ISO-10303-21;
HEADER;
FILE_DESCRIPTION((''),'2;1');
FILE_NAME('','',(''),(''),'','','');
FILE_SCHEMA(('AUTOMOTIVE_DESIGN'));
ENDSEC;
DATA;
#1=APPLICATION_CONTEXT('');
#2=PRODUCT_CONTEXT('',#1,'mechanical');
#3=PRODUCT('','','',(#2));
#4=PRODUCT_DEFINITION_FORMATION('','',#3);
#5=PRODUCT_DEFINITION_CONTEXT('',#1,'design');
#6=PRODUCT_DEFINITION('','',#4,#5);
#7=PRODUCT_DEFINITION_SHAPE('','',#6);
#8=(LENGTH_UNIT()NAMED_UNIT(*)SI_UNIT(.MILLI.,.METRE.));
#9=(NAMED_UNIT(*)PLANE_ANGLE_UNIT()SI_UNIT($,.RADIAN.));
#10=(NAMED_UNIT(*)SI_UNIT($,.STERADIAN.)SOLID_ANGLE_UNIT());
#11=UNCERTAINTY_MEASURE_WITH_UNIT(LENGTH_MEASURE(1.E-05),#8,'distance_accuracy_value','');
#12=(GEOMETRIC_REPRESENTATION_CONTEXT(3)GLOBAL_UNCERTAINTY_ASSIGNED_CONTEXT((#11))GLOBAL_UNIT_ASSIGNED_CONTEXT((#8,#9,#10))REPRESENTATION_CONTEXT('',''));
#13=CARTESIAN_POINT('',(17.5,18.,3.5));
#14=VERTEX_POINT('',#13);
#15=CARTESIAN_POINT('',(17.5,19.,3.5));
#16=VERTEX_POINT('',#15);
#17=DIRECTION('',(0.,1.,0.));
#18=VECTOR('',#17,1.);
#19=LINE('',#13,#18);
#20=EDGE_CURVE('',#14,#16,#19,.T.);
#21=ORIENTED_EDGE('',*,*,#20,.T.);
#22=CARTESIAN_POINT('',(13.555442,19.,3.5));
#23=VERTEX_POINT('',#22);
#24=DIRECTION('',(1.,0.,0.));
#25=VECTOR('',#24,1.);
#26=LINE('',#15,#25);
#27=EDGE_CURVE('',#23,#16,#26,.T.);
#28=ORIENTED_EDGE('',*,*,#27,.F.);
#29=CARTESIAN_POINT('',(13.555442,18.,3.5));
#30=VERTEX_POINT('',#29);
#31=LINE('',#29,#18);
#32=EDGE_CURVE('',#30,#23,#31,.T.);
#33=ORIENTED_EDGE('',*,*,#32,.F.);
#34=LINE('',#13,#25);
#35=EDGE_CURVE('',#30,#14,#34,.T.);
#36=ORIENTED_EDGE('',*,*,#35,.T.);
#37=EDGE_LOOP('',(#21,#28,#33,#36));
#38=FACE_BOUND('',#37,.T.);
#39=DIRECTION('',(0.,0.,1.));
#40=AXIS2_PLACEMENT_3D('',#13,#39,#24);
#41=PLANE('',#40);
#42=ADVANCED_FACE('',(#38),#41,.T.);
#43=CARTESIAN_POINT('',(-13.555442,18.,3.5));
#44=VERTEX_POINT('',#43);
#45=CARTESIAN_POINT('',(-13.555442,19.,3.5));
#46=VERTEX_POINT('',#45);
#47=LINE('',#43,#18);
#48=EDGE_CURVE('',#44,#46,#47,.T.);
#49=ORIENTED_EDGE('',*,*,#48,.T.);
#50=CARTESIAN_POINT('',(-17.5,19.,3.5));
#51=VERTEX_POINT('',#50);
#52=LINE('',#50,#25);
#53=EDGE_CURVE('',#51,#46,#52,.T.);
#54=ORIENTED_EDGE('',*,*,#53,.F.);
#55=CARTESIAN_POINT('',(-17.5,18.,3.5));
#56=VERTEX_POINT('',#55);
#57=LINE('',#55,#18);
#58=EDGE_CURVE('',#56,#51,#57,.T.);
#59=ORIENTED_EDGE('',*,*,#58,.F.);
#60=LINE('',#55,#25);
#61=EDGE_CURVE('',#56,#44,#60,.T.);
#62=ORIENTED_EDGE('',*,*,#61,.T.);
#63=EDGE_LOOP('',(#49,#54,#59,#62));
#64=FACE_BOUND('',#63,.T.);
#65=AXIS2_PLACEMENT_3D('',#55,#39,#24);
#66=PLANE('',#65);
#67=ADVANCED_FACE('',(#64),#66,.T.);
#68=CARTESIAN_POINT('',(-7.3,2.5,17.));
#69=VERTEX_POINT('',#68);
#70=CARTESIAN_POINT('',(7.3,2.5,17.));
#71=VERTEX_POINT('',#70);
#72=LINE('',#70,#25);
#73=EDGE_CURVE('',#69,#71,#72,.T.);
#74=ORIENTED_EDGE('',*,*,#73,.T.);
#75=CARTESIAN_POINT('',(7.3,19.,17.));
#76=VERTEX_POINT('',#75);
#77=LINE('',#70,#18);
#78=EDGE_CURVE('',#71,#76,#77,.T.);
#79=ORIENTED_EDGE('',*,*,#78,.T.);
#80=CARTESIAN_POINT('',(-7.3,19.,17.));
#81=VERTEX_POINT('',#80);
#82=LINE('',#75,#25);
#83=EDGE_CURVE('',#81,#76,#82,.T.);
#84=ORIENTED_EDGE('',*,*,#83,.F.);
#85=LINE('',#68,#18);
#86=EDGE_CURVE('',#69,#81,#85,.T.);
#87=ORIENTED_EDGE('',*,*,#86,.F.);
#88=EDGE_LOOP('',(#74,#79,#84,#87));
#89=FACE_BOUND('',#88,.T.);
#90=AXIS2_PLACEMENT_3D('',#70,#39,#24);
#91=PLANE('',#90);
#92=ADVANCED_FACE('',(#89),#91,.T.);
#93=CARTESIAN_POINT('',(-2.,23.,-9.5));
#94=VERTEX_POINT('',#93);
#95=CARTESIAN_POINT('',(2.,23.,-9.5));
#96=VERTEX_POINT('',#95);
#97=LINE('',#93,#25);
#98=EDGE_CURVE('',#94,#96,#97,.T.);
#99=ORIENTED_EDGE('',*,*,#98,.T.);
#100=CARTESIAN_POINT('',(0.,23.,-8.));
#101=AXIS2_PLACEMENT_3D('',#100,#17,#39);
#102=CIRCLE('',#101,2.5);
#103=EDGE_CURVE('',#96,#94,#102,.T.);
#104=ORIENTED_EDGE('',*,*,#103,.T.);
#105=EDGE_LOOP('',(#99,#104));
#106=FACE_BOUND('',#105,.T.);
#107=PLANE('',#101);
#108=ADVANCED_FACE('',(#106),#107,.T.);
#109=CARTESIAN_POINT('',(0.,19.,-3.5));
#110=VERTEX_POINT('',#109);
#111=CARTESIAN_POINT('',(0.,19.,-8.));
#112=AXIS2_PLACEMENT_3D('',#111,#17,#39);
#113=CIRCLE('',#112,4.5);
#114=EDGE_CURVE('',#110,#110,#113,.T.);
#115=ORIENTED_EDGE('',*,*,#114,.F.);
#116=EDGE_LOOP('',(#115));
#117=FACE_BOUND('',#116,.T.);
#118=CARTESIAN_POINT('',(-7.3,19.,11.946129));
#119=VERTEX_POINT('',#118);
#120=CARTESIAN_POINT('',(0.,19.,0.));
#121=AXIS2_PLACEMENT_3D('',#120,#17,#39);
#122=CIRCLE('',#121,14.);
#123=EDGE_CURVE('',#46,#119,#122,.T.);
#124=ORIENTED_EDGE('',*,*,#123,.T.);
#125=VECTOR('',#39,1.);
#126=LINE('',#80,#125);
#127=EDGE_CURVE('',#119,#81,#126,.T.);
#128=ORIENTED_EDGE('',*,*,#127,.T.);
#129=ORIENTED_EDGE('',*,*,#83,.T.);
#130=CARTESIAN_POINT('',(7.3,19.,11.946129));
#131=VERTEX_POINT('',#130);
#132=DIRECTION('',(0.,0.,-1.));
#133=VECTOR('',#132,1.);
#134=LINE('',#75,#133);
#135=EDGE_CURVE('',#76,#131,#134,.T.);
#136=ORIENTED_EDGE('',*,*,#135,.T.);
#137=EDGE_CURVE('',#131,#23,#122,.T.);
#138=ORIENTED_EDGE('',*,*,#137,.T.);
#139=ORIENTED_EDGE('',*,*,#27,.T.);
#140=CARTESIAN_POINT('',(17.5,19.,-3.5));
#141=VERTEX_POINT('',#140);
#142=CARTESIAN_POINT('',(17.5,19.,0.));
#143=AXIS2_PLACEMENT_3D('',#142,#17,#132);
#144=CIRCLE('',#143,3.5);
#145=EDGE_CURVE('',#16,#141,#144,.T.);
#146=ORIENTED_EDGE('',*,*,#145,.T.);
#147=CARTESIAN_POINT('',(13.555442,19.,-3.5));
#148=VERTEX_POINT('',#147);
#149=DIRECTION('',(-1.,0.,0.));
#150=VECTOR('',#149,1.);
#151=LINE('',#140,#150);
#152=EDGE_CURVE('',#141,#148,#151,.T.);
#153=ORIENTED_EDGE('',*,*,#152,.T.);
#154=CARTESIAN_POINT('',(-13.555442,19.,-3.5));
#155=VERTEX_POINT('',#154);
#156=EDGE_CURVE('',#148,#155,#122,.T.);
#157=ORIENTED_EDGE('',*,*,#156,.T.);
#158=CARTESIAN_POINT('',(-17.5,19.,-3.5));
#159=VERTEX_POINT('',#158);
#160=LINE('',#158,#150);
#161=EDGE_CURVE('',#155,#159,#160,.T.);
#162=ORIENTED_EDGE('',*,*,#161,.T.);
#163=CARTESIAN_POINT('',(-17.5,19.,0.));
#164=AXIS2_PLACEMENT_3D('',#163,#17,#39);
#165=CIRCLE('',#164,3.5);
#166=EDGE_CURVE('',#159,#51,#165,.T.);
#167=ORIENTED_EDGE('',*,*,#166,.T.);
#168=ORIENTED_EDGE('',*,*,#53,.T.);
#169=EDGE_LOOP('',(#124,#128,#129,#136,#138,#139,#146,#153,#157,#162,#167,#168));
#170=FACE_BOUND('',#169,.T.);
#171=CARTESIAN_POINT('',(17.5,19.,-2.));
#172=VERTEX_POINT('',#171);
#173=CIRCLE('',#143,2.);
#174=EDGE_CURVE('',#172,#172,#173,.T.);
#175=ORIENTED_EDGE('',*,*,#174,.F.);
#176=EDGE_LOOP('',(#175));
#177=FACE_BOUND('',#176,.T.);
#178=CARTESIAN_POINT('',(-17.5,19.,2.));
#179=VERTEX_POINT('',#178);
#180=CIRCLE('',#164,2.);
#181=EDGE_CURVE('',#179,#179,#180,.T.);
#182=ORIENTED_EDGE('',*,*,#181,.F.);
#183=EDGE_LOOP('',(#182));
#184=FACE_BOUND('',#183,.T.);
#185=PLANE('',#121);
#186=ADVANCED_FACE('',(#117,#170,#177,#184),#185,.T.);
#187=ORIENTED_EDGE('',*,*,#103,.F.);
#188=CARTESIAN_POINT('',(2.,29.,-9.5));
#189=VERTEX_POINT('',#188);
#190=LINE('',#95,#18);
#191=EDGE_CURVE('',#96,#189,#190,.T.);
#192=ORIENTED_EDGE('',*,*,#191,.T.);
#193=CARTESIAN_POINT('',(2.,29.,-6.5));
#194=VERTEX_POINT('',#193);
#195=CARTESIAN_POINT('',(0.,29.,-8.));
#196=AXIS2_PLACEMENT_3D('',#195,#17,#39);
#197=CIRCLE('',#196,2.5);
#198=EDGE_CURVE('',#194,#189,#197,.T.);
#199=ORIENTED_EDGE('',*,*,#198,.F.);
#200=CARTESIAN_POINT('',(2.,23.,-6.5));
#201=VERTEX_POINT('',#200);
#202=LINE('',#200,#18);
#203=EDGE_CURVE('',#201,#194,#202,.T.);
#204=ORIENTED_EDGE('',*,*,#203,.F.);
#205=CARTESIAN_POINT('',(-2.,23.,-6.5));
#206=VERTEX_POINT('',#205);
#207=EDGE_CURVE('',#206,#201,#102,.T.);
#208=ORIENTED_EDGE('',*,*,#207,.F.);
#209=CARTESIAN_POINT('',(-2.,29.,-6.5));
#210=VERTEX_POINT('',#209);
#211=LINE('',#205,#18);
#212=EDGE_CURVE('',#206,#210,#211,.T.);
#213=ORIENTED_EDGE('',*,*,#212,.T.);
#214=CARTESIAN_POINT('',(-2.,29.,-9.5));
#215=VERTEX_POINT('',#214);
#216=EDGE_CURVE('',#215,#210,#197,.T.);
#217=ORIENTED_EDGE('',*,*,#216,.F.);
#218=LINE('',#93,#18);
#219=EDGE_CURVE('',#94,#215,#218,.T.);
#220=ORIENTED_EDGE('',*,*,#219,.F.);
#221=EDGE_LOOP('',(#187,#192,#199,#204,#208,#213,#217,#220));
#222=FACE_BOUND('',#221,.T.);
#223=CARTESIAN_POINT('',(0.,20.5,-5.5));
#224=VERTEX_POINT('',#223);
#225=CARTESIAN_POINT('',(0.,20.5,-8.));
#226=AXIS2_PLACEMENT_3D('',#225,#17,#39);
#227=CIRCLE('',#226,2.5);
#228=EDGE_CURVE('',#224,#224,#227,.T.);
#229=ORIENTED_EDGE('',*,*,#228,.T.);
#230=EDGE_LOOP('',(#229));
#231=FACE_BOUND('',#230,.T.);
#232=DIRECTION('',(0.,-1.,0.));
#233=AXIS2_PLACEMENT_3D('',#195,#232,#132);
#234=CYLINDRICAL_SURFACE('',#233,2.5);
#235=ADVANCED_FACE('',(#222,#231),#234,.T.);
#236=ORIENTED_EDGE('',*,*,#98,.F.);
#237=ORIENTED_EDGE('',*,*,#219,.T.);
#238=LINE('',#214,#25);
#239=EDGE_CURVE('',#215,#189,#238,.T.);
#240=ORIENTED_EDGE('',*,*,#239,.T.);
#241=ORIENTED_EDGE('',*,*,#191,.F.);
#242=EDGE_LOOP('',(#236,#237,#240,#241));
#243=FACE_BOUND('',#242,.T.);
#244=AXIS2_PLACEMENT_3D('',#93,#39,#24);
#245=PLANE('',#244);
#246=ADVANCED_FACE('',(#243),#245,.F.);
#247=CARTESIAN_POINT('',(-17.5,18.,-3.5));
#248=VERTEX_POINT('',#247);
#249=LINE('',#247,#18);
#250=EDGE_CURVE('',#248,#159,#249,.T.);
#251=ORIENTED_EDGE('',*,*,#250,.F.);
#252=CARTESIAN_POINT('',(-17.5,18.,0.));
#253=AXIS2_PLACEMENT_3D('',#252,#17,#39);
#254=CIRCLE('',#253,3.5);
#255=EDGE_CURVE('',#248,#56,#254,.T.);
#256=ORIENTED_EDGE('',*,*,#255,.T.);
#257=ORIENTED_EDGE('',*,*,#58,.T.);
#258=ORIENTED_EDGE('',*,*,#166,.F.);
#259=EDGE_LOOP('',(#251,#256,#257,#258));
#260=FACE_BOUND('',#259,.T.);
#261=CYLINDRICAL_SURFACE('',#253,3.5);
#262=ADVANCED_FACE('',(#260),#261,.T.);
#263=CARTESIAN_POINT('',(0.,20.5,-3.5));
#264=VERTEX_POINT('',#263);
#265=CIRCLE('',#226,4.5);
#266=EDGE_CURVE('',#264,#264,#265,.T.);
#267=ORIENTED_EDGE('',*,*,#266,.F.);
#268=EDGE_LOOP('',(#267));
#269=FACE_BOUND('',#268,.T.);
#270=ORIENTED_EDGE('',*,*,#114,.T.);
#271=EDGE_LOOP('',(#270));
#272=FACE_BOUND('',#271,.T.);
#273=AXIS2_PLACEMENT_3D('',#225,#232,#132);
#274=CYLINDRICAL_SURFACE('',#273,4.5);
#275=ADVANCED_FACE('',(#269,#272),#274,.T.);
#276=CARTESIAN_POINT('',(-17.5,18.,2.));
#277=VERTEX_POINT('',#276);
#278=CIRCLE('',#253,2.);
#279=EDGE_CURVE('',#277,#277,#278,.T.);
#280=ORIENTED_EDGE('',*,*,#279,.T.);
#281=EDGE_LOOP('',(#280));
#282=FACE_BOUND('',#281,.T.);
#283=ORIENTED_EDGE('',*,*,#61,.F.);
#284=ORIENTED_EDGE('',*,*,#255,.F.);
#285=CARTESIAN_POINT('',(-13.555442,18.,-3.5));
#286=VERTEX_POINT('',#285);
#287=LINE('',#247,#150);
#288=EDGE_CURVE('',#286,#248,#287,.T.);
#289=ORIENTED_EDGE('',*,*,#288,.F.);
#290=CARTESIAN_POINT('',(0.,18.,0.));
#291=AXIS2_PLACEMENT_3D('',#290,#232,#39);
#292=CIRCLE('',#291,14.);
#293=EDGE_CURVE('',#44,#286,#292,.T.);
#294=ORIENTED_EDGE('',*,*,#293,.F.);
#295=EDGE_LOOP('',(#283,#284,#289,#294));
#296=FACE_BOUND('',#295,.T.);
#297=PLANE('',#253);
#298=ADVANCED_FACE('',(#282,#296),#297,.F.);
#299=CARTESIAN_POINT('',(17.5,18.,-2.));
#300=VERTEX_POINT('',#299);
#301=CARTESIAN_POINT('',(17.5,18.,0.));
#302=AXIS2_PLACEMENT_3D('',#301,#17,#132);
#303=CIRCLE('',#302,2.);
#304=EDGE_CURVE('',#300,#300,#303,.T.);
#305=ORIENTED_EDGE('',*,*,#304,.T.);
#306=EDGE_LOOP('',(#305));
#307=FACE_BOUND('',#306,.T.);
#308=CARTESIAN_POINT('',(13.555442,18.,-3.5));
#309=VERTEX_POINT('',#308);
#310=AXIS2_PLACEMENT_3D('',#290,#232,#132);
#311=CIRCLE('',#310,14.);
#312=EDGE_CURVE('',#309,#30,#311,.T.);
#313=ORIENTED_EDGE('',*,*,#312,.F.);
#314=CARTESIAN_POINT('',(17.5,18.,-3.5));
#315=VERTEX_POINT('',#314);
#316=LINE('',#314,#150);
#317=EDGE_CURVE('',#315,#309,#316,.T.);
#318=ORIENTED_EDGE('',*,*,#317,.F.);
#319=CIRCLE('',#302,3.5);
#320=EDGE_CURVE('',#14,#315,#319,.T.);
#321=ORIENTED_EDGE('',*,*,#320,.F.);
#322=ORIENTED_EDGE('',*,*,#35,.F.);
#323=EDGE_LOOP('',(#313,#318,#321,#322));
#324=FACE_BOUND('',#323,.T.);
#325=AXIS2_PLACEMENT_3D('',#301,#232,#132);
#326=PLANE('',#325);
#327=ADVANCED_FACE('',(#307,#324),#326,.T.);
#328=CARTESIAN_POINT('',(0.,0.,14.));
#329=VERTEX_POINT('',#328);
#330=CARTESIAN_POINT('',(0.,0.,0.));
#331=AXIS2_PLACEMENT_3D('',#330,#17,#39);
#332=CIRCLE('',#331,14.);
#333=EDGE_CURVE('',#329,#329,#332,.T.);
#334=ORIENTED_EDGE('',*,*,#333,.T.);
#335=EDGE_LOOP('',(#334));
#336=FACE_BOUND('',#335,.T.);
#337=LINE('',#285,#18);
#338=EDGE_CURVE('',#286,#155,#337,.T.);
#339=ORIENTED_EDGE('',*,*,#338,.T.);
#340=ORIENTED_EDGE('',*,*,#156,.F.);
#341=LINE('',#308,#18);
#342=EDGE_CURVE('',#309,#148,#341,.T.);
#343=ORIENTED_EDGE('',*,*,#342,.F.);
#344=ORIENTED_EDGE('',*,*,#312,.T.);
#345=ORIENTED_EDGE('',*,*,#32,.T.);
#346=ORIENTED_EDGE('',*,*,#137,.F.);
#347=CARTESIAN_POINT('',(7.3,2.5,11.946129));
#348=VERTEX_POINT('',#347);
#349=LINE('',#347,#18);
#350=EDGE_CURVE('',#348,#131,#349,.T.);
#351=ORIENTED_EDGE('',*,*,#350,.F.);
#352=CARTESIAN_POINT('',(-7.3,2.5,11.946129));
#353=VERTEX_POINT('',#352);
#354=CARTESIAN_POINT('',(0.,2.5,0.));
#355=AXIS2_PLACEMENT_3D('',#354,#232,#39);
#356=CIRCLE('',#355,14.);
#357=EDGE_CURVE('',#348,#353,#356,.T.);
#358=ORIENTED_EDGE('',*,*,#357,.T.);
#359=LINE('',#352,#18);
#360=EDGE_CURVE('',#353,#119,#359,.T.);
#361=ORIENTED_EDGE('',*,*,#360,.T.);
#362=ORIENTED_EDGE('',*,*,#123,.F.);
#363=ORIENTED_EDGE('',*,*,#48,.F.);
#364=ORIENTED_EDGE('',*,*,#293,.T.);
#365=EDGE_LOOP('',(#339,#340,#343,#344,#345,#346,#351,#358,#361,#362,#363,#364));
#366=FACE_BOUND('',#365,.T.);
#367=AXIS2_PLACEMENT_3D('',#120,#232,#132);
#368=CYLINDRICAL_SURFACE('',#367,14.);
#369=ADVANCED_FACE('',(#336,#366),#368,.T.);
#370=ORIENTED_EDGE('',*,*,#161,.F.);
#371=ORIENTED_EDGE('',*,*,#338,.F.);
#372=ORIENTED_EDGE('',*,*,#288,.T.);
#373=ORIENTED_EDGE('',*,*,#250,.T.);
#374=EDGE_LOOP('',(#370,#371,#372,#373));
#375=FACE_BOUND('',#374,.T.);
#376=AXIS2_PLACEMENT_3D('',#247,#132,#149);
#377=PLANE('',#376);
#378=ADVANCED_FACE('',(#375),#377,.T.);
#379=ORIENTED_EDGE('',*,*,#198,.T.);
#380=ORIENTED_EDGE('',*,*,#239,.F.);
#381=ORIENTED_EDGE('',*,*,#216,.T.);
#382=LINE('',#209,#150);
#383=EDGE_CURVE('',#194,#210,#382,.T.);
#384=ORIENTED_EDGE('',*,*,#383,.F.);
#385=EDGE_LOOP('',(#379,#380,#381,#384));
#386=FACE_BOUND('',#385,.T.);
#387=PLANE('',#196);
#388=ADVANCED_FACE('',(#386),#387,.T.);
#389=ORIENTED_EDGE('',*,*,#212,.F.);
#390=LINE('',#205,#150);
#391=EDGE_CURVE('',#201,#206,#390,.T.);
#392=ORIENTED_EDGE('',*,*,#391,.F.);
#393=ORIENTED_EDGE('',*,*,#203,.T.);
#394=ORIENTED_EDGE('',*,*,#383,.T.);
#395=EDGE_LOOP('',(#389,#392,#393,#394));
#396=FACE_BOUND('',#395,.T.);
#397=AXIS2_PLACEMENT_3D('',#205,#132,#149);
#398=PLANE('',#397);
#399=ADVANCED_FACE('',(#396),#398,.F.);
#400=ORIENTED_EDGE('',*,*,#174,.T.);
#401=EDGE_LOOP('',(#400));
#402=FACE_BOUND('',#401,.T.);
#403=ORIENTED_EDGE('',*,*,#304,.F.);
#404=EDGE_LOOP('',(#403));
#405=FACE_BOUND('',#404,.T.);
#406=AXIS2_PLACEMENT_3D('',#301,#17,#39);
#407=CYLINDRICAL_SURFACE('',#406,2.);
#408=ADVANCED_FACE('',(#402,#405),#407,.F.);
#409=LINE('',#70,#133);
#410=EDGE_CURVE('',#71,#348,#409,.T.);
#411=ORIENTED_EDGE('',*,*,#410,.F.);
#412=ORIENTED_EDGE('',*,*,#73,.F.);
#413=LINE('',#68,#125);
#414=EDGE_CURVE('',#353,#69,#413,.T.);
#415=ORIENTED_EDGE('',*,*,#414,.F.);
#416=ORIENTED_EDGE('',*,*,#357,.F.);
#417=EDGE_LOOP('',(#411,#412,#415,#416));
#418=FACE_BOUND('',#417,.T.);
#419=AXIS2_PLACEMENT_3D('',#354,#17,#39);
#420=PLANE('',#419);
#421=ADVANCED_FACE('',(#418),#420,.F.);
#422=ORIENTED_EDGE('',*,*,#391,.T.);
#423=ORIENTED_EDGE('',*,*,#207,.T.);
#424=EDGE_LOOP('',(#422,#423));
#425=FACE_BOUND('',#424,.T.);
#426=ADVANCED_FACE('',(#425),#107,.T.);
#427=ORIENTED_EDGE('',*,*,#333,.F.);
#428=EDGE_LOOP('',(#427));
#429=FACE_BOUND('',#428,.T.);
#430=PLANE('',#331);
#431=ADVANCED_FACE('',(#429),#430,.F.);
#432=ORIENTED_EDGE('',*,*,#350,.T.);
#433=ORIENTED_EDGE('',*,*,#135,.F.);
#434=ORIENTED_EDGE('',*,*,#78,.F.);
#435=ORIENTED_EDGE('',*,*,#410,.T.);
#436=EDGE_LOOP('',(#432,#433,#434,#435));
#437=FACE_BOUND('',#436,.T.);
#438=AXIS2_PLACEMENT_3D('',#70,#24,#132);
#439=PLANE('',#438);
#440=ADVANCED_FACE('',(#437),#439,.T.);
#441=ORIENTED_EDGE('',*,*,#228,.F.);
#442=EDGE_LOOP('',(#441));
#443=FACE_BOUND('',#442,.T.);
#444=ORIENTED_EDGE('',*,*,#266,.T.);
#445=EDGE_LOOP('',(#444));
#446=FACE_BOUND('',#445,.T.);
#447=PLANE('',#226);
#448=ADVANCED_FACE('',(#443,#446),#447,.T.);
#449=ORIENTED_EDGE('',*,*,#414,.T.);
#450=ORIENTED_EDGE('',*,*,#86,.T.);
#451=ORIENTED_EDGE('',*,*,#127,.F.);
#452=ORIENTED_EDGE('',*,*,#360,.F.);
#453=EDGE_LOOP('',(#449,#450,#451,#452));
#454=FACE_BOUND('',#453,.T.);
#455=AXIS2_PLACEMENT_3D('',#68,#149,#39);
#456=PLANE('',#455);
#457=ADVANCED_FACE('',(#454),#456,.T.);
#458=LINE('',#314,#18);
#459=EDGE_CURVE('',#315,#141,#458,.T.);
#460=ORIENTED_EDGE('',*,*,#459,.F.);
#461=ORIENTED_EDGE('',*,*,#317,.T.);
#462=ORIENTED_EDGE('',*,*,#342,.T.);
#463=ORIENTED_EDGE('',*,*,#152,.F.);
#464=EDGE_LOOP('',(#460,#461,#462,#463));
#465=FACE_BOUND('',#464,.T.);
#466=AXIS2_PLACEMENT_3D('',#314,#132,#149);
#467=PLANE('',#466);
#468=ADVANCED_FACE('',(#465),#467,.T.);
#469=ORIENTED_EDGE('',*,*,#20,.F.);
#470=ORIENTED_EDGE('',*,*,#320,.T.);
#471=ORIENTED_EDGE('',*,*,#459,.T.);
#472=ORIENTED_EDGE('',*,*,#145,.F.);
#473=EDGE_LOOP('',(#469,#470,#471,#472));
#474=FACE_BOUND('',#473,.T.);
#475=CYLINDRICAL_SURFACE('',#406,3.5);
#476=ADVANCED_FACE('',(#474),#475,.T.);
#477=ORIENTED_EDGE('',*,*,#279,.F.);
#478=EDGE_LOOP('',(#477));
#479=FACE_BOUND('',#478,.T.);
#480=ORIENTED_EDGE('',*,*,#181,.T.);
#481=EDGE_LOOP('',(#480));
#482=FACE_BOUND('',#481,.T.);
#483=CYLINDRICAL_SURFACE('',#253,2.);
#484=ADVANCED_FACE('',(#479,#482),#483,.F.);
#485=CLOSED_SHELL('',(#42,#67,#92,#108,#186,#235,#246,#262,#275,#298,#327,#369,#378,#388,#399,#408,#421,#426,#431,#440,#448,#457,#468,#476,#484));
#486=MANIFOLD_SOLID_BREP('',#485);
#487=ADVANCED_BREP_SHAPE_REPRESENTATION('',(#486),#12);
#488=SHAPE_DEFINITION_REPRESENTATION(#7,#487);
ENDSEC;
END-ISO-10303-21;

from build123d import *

# Parameters (mm, degrees)
SKETCH_1_R          = 14
EXTRUDE_1_DEPTH     = 19
SKETCH_2_R          = 4.5
EXTRUDE_2_DEPTH     = 1.5
SKETCH_3_R          = 2.5
EXTRUDE_3_DEPTH     = 8.5
CUT_EXTRUDE_START   = -6
CUT_EXTRUDE_1_DEPTH = 6
EXTRUDE_START       = -1
SKETCH_5_R          = 2
EXTRUDE_4_DEPTH     = 1
EXTRUDE_START_2     = -16.5
EXTRUDE_5_DEPTH     = 16.5


with BuildPart() as part:
    # Эскиз1 → Бобышка-Вытянуть1 (new body)
    with BuildSketch(Plane(origin=(0, 0, 0), x_dir=(1, 0, 0), z_dir=(0, 1, 0))):
        with Locations(Location((0, 0, 0), (0, 0, 270))):
            Circle(SKETCH_1_R)
    extrude(amount=EXTRUDE_1_DEPTH)

    # Эскиз2 → Бобышка-Вытянуть2 (add)
    with BuildSketch(Plane(origin=(0, 19, 0), x_dir=(1, 0, 0), z_dir=(0, 1, 0))):
        with Locations(Location((0, 8, 0), (0, 0, 270))):
            Circle(SKETCH_2_R)
    extrude(amount=EXTRUDE_2_DEPTH)

    # Эскиз3 → Бобышка-Вытянуть3 (add)
    with BuildSketch(Plane(origin=(0, 20.5, 0), x_dir=(1, 0, 0), z_dir=(0, 1, 0))):
        with Locations(Location((0, 8, 0), (0, 0, 270))):
            Circle(SKETCH_3_R)
    extrude(amount=EXTRUDE_3_DEPTH)

    # Эскиз4 → Вырез-Вытянуть1 (cut)
    with BuildSketch(Plane(origin=(0, 29, 0), x_dir=(1, 0, 0), z_dir=(0, 1, 0)).offset(CUT_EXTRUDE_START)):
        with BuildLine():
            Line((-2, 9.5), (2, 9.5))
            ThreePointArc((2, 9.5), (0, 10.5), (-2, 9.5))
        make_face()
        with BuildLine():
            Line((-2, 6.5), (2, 6.5))
            ThreePointArc((2, 6.5), (0, 5.5), (-2, 6.5))
        make_face()
    extrude(amount=CUT_EXTRUDE_1_DEPTH, mode=Mode.SUBTRACT)

    # Эскиз5 → Бобышка-Вытянуть4 (add)
    # profile 1 of 2: a face of its own
    with BuildSketch(Plane(origin=(0, 19, 0), x_dir=(1, 0, 0), z_dir=(0, 1, 0)).offset(EXTRUDE_START)):
        with BuildLine():
            Line((-17.5, 3.5), (-13.555441712, 3.5))
            ThreePointArc((-13.555441712, 3.5), (-14, 0), (-13.555441712, -3.5))
            Line((-13.555441712, -3.5), (-17.5, -3.5))
            ThreePointArc((-17.5, -3.5), (-21, 0), (-17.5, 3.5))
        make_face()
        with Locations(Location((-17.5, 0, 0), (0, 0, 270))):
            Circle(SKETCH_5_R, mode=Mode.SUBTRACT)
    # profile 2 of 2: a face of its own
    with BuildSketch(Plane(origin=(0, 19, 0), x_dir=(1, 0, 0), z_dir=(0, 1, 0)).offset(EXTRUDE_START)):
        with BuildLine():
            Line((17.5, 3.5), (13.555441712, 3.5))
            ThreePointArc((13.555441712, 3.5), (14, 0), (13.555441712, -3.5))
            Line((13.555441712, -3.5), (17.5, -3.5))
            ThreePointArc((17.5, -3.5), (21, 0), (17.5, 3.5))
        make_face()
        with Locations(Location((17.5, 0, 0), (0, 0, 90))):
            Circle(SKETCH_5_R, mode=Mode.SUBTRACT)
    extrude(amount=EXTRUDE_4_DEPTH)

    # Эскиз6 → Бобышка-Вытянуть5 (add)
    with BuildSketch(Plane(origin=(0, 19, 0), x_dir=(1, 0, 0), z_dir=(0, 1, 0)).offset(EXTRUDE_START_2)):
        with BuildLine():
            Line((7.3, -17), (-7.3, -17))
            Line((-7.3, -17), (-7.3, -11.94612908))
            ThreePointArc((-7.3, -11.94612908), (0, -14), (7.3, -11.94612908))
            Line((7.3, -11.94612908), (7.3, -17))
        make_face()
    extrude(amount=EXTRUDE_5_DEPTH)


solid = part.part
